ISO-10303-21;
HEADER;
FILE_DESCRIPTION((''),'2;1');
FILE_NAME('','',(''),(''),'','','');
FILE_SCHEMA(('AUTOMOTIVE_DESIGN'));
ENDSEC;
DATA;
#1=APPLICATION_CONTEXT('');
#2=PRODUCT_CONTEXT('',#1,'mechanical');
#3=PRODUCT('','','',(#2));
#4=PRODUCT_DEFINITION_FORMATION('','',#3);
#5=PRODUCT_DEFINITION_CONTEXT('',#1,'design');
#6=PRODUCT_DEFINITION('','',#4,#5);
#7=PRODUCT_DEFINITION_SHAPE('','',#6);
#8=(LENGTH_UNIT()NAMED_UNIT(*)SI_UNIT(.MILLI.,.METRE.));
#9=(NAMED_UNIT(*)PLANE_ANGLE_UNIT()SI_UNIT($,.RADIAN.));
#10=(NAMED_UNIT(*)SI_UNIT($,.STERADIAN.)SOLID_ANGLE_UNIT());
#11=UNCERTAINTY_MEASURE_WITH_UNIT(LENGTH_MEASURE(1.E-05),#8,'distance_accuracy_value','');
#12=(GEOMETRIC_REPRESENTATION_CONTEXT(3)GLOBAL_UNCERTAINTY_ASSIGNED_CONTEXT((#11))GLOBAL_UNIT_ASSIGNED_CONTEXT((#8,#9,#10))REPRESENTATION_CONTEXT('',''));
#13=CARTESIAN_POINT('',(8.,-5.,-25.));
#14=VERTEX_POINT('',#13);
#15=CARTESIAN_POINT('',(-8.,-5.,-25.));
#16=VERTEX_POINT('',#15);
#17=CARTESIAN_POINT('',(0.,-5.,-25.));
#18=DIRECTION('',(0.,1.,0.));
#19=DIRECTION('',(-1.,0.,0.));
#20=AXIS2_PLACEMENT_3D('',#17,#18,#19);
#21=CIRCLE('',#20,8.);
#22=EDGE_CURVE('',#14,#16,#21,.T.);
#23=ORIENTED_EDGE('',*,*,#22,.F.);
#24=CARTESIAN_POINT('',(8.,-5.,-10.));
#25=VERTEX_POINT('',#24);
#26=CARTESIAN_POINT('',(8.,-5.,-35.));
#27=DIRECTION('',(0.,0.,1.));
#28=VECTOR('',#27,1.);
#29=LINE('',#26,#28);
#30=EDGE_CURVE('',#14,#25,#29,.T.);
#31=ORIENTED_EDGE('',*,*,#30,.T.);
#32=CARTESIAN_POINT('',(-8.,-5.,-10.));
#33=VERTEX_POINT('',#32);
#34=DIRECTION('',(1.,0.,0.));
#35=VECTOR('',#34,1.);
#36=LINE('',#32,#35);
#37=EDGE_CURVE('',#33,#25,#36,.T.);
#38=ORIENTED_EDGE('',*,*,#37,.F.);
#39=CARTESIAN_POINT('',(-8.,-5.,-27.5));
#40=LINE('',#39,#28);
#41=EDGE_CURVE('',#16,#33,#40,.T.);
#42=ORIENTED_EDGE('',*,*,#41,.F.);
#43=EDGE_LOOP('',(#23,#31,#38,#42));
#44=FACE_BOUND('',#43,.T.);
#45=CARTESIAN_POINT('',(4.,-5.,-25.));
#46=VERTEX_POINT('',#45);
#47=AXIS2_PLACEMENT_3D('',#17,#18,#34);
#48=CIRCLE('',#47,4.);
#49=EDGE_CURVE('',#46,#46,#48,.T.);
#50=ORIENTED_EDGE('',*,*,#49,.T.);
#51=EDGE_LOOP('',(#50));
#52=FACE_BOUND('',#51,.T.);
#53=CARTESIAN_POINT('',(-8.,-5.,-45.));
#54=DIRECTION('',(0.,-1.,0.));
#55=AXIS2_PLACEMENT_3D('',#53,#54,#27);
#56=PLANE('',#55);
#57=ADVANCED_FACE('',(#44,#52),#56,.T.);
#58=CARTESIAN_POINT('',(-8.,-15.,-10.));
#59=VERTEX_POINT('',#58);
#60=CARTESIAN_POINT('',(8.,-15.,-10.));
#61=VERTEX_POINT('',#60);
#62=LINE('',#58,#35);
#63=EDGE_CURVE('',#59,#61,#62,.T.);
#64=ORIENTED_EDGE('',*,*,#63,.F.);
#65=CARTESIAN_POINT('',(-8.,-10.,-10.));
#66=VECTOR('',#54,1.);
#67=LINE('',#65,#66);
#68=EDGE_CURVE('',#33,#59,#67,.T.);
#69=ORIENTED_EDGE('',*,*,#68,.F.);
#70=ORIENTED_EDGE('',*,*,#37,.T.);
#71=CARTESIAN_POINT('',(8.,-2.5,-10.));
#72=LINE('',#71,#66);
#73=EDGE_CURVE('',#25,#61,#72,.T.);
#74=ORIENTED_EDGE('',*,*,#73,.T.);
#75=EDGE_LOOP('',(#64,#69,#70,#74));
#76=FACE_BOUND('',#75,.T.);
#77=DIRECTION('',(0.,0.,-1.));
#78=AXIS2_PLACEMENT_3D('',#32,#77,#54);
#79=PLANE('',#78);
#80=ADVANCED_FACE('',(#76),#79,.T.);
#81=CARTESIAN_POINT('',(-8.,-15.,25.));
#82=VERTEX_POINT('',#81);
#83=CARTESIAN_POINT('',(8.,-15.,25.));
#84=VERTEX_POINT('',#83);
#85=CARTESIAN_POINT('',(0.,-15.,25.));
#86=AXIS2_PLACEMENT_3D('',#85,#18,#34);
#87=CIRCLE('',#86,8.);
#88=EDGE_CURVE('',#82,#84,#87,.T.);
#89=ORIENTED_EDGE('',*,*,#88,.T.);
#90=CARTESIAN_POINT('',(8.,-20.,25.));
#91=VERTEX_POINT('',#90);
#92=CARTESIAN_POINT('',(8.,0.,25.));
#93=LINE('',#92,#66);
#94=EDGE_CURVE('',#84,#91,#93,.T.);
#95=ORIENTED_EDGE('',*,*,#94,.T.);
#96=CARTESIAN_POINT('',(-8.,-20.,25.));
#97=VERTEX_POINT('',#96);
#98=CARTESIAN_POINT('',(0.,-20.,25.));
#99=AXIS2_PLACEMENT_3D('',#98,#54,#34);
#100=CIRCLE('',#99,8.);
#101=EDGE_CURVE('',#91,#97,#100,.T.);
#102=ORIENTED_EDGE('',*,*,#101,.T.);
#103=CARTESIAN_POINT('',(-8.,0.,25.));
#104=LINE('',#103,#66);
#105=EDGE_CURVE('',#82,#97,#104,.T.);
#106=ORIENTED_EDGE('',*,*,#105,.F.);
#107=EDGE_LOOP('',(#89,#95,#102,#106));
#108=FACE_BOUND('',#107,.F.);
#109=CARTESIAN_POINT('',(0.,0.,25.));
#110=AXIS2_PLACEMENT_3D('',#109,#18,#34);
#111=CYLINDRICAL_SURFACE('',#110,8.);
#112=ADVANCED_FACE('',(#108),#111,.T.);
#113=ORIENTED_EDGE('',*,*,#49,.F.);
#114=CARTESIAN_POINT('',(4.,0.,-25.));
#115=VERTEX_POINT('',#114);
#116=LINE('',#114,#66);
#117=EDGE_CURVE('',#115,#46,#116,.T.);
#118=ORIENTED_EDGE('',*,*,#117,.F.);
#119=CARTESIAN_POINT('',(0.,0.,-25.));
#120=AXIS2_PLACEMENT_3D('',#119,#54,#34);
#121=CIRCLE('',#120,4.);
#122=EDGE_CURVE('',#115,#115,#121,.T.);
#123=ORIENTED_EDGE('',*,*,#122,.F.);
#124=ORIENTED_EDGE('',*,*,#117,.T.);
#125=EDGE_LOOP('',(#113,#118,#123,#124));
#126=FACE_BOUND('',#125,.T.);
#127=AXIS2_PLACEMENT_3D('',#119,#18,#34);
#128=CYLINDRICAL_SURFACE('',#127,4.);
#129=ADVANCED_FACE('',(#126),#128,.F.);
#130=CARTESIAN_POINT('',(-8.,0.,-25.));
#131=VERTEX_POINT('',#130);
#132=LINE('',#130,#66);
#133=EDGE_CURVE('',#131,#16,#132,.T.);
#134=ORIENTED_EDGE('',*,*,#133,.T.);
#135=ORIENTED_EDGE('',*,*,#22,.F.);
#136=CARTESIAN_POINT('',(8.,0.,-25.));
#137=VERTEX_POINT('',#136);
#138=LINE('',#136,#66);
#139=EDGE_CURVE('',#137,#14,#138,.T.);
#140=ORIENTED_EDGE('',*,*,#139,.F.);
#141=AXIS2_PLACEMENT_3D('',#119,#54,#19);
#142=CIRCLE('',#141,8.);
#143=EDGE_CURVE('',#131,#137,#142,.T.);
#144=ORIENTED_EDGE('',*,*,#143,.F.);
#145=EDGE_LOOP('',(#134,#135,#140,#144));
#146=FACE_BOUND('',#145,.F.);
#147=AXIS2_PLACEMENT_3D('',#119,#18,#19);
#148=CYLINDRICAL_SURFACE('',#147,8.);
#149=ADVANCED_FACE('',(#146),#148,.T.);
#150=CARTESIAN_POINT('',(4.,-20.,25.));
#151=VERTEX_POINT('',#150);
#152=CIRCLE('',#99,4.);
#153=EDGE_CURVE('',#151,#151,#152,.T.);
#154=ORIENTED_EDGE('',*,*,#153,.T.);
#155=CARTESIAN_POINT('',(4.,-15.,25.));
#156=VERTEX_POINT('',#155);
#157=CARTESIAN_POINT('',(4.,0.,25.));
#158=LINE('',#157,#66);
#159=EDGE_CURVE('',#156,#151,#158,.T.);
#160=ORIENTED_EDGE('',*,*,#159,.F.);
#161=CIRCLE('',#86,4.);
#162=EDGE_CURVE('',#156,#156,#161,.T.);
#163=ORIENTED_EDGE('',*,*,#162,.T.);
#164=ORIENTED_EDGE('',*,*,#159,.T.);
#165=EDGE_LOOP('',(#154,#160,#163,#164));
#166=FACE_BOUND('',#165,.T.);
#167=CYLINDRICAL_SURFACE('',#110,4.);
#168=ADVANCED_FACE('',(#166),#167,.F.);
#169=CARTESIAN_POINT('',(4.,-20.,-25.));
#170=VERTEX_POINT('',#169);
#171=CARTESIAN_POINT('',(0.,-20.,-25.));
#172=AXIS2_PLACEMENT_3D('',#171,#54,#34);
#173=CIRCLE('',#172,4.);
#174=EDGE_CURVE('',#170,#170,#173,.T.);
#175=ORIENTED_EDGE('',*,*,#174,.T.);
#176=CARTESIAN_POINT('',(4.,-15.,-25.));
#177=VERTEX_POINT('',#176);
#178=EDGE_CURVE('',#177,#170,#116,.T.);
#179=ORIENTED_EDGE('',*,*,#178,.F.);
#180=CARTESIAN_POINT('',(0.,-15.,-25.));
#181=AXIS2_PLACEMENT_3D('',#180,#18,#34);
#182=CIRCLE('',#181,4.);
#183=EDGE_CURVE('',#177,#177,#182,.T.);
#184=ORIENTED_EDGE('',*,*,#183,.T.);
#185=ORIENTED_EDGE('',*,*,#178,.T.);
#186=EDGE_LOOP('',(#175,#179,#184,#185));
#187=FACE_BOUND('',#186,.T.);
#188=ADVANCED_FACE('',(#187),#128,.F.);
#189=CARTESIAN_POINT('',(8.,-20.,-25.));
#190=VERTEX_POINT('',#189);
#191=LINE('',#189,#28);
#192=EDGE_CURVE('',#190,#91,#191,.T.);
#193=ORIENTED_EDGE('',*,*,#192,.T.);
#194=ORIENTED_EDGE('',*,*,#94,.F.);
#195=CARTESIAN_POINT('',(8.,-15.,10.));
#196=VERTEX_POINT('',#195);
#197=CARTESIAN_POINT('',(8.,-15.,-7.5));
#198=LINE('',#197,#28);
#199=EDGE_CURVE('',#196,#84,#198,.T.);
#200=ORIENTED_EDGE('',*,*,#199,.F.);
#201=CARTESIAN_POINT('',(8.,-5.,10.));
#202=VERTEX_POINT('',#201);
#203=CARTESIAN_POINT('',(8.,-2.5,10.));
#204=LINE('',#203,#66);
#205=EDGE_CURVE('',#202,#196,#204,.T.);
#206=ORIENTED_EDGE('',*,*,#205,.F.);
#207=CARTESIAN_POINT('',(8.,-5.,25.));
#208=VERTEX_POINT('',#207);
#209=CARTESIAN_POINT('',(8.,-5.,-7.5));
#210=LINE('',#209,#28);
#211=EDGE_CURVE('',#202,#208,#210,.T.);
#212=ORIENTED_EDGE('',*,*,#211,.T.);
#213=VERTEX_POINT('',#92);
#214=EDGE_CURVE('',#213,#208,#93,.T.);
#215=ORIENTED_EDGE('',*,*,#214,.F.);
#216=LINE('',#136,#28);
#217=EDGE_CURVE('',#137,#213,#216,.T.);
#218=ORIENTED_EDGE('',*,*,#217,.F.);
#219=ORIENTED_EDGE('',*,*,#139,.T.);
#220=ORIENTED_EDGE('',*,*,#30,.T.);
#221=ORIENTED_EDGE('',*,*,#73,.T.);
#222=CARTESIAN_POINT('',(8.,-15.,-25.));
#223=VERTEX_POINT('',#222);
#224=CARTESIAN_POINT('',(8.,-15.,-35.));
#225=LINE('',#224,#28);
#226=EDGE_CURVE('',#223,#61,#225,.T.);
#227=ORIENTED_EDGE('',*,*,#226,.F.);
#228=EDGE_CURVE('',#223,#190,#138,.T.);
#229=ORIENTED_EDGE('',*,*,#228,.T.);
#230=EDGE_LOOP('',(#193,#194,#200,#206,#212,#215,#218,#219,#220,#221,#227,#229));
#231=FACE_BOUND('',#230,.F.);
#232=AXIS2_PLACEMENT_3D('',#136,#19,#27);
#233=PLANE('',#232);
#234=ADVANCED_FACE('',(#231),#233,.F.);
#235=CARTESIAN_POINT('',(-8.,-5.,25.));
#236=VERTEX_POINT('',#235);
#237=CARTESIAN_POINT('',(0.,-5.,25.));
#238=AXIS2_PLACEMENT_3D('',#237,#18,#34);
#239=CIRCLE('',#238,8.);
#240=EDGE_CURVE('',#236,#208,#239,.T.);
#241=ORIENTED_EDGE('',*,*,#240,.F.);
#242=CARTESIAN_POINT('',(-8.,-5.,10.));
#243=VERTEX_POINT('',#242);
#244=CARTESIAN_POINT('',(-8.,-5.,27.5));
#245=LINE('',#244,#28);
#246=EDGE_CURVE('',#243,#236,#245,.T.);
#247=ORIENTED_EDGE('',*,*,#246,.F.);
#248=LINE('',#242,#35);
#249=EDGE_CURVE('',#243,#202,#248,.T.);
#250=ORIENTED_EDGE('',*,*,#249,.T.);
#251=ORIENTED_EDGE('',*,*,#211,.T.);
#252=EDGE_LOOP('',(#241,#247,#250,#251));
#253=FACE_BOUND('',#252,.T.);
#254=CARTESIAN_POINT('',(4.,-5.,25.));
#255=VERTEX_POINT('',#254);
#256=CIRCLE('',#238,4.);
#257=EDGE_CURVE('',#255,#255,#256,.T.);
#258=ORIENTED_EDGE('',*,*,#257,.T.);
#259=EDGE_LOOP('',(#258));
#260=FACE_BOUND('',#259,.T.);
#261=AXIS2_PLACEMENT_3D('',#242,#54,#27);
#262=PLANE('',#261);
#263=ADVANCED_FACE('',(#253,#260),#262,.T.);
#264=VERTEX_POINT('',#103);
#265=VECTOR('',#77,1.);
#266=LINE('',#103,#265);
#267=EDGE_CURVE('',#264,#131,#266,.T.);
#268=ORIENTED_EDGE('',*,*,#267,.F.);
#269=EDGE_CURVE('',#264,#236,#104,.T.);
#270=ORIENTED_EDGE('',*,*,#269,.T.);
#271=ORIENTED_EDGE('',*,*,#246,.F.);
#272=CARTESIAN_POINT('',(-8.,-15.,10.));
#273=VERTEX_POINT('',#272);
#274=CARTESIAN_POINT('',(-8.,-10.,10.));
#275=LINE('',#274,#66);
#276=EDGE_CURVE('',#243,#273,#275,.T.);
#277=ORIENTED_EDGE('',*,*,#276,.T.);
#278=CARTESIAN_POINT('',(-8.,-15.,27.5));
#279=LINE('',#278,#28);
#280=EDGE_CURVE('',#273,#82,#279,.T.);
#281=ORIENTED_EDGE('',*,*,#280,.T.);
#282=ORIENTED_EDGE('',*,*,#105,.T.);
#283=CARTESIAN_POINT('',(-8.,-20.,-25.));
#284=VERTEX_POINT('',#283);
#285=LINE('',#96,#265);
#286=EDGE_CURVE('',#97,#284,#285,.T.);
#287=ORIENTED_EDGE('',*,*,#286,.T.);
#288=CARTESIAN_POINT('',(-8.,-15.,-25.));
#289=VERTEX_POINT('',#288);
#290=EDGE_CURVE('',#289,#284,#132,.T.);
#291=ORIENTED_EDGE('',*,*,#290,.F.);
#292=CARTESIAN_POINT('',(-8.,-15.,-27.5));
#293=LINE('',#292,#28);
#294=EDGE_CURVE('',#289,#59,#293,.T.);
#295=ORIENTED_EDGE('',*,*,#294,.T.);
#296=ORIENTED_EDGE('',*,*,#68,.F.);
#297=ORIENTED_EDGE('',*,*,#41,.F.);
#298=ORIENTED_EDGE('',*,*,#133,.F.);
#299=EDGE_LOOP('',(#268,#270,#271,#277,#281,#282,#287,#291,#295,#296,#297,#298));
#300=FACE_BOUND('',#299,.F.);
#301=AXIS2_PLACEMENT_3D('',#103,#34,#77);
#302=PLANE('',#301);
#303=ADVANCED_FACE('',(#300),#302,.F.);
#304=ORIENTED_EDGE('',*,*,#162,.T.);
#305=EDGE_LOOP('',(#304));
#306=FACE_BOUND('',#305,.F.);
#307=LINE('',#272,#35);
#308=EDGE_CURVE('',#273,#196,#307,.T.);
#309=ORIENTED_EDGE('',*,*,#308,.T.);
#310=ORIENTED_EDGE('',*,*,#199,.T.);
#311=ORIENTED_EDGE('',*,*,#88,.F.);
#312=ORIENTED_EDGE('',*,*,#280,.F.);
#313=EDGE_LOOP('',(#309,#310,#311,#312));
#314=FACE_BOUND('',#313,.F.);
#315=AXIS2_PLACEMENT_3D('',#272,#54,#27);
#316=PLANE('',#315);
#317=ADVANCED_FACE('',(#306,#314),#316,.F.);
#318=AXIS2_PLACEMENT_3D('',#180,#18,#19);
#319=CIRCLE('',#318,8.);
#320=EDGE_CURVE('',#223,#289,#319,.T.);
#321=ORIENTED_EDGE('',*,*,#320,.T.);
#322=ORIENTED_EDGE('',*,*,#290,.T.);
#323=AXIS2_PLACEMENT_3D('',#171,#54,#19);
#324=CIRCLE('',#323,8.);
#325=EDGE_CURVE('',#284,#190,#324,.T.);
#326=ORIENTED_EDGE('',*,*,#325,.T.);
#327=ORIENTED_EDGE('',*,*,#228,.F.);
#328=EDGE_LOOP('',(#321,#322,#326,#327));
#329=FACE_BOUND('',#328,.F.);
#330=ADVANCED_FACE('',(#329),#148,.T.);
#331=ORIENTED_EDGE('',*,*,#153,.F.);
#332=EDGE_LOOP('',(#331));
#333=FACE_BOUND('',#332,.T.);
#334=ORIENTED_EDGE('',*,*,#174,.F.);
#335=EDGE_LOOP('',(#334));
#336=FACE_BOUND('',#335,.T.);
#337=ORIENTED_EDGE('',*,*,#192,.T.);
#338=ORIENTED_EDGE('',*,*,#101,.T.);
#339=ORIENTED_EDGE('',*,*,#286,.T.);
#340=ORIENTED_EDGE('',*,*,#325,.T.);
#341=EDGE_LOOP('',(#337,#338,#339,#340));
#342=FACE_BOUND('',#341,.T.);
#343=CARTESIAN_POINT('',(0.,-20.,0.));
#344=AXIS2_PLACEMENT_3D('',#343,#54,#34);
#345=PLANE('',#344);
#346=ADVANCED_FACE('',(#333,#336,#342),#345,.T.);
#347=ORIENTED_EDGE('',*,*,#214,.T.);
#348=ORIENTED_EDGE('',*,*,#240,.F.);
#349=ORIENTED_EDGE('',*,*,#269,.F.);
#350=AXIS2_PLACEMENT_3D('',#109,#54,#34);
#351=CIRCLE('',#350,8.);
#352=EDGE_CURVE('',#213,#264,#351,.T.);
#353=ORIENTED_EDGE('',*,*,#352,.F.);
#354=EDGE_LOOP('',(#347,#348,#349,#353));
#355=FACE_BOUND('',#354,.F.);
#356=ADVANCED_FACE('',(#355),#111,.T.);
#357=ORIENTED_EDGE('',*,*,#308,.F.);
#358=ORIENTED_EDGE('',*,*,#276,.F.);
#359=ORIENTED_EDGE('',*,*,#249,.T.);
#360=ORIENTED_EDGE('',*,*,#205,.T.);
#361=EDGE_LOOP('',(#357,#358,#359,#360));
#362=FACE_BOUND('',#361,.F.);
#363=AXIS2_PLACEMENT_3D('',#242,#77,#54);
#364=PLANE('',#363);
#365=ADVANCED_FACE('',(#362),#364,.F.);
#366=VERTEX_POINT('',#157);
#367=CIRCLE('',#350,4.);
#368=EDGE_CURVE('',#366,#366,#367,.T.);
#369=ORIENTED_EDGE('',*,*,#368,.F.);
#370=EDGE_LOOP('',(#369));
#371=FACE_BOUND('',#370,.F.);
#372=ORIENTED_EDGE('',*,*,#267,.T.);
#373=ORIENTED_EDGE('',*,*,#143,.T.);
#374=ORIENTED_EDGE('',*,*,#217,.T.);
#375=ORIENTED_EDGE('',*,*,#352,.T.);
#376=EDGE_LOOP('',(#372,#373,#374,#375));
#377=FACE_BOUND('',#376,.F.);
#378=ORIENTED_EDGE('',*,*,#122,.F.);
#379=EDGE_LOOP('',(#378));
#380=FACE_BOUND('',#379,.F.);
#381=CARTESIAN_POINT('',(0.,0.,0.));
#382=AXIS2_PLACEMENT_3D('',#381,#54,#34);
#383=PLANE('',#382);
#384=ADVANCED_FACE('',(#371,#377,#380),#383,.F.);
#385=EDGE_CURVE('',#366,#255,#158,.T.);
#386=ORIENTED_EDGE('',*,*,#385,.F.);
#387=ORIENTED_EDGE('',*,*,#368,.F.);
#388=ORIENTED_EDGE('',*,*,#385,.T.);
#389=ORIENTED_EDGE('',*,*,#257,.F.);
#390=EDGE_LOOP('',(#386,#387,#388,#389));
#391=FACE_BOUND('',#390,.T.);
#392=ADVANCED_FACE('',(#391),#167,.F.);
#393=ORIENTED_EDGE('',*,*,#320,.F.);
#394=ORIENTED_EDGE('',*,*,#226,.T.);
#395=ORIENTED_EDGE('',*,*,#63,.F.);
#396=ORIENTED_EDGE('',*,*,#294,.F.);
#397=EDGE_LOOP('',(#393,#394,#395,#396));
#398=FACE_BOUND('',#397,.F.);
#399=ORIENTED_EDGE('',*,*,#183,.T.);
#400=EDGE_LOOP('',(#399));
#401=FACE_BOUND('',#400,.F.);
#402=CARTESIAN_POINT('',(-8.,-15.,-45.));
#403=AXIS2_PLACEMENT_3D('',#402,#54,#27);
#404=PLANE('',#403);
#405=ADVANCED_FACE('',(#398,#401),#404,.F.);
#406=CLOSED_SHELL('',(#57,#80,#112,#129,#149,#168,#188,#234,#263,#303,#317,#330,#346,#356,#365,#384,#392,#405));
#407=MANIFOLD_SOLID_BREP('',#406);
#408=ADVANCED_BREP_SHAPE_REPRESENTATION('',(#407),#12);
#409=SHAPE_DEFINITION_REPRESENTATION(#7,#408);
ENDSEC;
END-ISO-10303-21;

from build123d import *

# Parameters (mm, degrees)
F0_R     = 4
F1_DEPTH = 20
F2_W     = 10
F2_H     = 35
F3_DEPTH = 16.001


with BuildPart() as f1:
    # F0 (on Front) → F1 (new body)
    with BuildSketch(Plane.XZ):
        with BuildLine():
            Line((8, -25), (8, 25))
            ThreePointArc((8, 25), (0, 33), (-8, 25))
            Line((-8, 25), (-8, -25))
            ThreePointArc((-8, -25), (0, -33), (8, -25))
        make_face()
        with Locations((0, -25)):
            Circle(F0_R, mode=Mode.SUBTRACT)
        with Locations((0, 25)):
            Circle(F0_R, mode=Mode.SUBTRACT)
    extrude(amount=F1_DEPTH)

    # F2 (on face) → F3 (cut, through all)
    with BuildSketch(Plane(origin=(-8, 0, 0), x_dir=(0, -1, 0), z_dir=(-1, 0, 0))):
        with Locations((10, 27.5)):
            Rectangle(F2_W, F2_H)
        with Locations((10, -27.5)):
            Rectangle(F2_W, F2_H)
    extrude(amount=-F3_DEPTH, mode=Mode.SUBTRACT)


solid = f1.part
